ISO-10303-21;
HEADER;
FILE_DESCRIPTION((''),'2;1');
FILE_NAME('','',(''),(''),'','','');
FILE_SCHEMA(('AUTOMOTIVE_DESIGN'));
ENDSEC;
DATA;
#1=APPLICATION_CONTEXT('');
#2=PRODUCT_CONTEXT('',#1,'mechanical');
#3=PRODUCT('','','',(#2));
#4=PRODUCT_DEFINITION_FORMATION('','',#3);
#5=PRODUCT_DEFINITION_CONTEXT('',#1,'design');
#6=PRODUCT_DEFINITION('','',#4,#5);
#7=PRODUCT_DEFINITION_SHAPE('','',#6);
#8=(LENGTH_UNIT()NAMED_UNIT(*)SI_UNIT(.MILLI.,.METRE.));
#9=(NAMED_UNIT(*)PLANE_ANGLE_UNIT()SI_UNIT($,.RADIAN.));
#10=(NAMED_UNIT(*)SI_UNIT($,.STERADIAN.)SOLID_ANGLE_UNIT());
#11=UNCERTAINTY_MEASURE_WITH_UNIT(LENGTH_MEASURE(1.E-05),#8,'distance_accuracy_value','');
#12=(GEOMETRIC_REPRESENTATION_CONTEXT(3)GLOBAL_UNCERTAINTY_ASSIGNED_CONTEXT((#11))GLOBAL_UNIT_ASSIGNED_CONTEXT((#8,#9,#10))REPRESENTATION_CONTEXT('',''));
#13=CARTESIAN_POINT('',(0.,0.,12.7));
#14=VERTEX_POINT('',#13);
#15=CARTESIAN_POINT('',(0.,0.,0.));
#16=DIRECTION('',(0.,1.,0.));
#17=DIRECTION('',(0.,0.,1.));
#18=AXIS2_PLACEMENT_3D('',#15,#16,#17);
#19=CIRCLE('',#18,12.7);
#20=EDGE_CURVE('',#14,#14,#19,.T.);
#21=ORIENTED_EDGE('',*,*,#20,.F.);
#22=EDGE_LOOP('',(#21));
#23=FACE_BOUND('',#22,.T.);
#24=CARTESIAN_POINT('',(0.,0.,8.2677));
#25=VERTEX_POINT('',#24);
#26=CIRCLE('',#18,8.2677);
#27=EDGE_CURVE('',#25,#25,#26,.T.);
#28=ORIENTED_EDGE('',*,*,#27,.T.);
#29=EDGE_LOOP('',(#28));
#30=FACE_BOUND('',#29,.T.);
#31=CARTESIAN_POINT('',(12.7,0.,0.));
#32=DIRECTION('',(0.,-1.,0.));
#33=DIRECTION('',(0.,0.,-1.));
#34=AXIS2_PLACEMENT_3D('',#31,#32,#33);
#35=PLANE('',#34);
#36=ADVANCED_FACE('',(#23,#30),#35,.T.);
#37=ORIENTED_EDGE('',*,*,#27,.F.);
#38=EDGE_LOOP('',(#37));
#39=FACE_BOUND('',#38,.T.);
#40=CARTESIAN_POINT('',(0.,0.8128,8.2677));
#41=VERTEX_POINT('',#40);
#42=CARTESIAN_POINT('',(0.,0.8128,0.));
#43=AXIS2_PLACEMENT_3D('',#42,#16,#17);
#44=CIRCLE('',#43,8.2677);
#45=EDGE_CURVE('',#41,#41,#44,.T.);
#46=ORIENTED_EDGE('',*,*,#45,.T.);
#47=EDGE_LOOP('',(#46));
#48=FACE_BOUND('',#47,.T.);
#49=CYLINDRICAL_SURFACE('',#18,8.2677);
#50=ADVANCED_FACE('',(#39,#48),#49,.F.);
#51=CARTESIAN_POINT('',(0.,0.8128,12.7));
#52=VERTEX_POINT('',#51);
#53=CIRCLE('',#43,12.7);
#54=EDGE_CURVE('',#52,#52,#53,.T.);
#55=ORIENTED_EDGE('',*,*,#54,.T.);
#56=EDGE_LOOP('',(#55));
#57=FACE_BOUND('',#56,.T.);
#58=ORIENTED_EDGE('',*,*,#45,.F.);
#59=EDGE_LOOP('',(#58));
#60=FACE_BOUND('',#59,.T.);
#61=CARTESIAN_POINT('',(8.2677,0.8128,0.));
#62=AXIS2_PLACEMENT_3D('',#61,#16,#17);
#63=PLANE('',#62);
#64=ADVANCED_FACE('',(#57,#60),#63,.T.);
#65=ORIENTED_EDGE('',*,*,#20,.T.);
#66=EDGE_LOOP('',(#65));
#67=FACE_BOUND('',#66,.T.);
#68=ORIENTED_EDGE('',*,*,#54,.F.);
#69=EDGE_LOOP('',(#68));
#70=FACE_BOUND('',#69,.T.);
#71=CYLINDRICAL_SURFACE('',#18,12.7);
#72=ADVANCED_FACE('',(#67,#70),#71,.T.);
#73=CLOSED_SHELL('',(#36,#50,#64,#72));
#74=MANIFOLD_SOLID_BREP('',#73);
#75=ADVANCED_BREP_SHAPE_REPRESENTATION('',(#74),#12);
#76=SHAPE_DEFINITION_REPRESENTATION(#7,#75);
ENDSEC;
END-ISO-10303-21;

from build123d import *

# Parameters (mm, degrees)
SKETCH1_W = 4.4323
SKETCH1_H = 0.8128


with BuildPart() as part:
    # Sketch1 → Revolve1 (revolve)
    with BuildSketch(Plane(origin=(0, 0, 0), x_dir=(-1, 0, 0), z_dir=(0, 0, -1))):
        with Locations((-10.48385, 0.4064)):
            Rectangle(SKETCH1_W, SKETCH1_H)
    revolve(axis=Axis((0, 0, 0), (0, 1, 0)))


solid = part.part
